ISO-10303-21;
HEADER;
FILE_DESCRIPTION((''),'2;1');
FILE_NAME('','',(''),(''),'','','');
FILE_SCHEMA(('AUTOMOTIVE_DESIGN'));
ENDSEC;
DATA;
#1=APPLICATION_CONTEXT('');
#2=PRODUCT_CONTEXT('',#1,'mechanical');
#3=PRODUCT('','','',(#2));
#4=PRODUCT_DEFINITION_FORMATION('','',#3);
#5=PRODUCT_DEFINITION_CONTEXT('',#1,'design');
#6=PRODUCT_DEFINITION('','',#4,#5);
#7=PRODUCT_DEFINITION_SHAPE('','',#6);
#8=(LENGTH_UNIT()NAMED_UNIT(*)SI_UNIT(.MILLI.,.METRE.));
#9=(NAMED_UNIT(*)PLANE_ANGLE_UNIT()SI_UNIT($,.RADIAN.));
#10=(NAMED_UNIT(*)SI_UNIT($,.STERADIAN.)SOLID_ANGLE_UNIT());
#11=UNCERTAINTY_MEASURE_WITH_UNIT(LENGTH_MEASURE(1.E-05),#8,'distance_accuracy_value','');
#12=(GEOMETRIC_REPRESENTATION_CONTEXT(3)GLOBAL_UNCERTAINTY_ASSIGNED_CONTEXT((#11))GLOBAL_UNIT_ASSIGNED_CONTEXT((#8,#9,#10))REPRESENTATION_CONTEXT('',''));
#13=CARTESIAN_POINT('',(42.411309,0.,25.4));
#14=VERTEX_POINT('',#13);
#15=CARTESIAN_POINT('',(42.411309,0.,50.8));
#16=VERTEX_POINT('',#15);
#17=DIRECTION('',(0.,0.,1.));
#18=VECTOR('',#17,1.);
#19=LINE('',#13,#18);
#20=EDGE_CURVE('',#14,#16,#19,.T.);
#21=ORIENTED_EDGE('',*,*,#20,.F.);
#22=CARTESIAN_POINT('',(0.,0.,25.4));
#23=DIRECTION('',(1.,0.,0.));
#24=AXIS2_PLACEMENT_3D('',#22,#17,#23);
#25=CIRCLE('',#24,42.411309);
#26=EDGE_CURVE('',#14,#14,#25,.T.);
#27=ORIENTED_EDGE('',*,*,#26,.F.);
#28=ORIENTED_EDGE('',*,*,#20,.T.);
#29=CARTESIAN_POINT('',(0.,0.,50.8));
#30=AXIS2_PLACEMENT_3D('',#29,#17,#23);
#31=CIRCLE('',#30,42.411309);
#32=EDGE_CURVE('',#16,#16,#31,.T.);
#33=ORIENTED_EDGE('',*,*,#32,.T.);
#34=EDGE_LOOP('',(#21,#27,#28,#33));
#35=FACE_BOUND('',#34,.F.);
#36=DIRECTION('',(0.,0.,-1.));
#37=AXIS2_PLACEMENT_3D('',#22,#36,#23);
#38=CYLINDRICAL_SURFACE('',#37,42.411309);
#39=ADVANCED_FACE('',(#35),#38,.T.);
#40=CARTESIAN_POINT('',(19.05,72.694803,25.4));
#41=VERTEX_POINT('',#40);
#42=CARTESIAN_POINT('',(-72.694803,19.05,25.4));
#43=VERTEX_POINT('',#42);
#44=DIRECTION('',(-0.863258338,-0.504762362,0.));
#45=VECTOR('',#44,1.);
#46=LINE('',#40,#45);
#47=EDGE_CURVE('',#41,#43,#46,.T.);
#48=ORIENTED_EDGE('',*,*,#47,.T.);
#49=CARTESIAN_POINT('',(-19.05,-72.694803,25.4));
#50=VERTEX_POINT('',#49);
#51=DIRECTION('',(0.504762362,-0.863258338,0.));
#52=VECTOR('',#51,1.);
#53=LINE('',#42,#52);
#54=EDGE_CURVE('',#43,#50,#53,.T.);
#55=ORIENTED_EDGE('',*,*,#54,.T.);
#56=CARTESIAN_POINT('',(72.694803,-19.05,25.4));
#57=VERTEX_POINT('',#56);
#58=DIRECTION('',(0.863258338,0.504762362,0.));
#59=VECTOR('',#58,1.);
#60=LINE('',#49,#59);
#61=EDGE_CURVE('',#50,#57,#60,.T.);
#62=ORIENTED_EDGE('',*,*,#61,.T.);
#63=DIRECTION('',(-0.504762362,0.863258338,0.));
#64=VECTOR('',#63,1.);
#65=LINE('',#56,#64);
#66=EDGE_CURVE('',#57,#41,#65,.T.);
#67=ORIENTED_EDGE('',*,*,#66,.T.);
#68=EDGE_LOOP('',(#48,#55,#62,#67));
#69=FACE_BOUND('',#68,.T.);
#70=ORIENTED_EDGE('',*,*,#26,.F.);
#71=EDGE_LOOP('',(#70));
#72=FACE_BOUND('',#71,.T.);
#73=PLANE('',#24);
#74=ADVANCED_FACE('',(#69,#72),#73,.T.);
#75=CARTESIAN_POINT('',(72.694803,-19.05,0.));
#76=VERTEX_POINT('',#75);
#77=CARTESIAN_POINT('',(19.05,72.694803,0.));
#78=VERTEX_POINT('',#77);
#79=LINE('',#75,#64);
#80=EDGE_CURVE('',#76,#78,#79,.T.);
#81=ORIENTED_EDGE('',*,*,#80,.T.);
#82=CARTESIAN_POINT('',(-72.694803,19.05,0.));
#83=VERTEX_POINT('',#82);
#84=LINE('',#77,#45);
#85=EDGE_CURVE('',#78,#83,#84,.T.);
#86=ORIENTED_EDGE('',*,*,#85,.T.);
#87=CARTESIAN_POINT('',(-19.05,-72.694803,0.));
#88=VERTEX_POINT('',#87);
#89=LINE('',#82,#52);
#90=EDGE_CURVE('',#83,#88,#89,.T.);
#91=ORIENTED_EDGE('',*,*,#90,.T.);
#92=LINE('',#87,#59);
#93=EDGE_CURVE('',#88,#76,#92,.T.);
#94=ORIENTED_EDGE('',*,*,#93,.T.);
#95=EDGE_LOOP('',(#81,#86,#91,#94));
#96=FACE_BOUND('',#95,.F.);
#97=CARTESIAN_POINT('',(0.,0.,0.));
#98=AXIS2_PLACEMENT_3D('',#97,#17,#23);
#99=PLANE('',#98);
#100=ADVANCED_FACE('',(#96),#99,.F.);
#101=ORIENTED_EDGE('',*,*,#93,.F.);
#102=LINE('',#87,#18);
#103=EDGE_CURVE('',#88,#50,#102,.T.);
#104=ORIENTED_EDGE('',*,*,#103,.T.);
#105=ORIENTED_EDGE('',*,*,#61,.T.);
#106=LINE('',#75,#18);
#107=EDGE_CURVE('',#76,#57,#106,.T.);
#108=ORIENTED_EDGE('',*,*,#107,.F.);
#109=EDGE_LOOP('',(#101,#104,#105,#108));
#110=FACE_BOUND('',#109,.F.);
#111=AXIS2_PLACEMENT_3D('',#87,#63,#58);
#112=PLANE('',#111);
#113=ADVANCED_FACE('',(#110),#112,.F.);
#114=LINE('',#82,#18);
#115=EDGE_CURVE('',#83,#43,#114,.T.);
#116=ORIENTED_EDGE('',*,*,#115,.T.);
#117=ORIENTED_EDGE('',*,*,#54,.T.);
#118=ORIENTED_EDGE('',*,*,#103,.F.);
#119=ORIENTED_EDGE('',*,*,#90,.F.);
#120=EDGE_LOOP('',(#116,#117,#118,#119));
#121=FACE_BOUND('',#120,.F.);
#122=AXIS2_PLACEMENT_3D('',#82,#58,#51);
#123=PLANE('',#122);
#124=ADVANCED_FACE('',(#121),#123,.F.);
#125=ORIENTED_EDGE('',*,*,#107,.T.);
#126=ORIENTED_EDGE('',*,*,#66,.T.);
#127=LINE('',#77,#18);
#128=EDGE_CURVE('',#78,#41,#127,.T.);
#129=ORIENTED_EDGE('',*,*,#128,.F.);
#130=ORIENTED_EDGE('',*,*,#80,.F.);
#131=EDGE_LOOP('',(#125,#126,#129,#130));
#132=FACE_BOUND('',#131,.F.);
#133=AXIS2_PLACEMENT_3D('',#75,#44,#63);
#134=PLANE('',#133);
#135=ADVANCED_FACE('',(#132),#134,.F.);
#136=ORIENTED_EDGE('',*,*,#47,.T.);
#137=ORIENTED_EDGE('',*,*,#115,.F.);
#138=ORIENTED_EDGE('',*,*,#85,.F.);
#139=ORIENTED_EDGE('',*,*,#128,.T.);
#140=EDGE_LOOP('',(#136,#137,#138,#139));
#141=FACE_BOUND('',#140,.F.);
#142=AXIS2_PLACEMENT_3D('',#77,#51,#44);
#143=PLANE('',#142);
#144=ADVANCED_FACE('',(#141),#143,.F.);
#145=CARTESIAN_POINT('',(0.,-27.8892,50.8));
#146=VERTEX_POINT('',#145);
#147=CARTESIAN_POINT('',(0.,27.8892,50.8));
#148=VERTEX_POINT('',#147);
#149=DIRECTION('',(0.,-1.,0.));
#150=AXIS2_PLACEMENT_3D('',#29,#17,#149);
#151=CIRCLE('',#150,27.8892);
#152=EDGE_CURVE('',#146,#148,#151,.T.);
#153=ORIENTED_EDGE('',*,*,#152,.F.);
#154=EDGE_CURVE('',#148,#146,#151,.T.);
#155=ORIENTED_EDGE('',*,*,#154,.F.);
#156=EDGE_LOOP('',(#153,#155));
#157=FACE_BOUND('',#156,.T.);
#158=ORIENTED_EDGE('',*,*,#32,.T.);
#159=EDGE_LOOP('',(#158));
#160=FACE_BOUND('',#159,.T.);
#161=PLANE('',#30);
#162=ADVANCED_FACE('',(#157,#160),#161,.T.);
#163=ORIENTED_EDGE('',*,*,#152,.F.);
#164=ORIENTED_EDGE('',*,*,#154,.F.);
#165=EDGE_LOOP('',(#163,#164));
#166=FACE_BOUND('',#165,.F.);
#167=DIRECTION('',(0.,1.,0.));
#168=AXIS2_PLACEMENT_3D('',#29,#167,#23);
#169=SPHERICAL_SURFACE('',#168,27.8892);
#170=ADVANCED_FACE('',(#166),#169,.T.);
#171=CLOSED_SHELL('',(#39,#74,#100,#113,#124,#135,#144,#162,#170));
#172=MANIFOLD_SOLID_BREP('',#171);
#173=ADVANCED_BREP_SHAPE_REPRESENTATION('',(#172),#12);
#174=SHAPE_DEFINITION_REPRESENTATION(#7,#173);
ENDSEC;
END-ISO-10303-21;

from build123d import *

# Parameters (mm, degrees)
F1_DEPTH = 25.4
F2_R     = 42.411309
F3_DEPTH = 25.4


with BuildPart() as f1:
    # F0 (on Top) → F1 (new body)
    with BuildSketch(Plane.XY):
        Polygon((19.05, 72.694803), (-72.694803, 19.05), (-19.05, -72.694803), (72.694803, -19.05), align=None)
    extrude(amount=F1_DEPTH)

    # F2 (on face) → F3 (join)
    with BuildSketch(Plane.XY.offset(25.4)):
        Circle(F2_R)
    extrude(amount=F3_DEPTH)

    # F4 (on face) → F5 (revolve)
    with BuildSketch(Plane.XY.offset(50.8)):
        with BuildLine():
            Line((0, 27.8892), (0, -27.8892))
            ThreePointArc((0, -27.8892), (27.8892, 0), (0, 27.8892))
        make_face()
    revolve(axis=Axis((0, 0, 50.8), (0, -1, 0)))


solid = f1.part
